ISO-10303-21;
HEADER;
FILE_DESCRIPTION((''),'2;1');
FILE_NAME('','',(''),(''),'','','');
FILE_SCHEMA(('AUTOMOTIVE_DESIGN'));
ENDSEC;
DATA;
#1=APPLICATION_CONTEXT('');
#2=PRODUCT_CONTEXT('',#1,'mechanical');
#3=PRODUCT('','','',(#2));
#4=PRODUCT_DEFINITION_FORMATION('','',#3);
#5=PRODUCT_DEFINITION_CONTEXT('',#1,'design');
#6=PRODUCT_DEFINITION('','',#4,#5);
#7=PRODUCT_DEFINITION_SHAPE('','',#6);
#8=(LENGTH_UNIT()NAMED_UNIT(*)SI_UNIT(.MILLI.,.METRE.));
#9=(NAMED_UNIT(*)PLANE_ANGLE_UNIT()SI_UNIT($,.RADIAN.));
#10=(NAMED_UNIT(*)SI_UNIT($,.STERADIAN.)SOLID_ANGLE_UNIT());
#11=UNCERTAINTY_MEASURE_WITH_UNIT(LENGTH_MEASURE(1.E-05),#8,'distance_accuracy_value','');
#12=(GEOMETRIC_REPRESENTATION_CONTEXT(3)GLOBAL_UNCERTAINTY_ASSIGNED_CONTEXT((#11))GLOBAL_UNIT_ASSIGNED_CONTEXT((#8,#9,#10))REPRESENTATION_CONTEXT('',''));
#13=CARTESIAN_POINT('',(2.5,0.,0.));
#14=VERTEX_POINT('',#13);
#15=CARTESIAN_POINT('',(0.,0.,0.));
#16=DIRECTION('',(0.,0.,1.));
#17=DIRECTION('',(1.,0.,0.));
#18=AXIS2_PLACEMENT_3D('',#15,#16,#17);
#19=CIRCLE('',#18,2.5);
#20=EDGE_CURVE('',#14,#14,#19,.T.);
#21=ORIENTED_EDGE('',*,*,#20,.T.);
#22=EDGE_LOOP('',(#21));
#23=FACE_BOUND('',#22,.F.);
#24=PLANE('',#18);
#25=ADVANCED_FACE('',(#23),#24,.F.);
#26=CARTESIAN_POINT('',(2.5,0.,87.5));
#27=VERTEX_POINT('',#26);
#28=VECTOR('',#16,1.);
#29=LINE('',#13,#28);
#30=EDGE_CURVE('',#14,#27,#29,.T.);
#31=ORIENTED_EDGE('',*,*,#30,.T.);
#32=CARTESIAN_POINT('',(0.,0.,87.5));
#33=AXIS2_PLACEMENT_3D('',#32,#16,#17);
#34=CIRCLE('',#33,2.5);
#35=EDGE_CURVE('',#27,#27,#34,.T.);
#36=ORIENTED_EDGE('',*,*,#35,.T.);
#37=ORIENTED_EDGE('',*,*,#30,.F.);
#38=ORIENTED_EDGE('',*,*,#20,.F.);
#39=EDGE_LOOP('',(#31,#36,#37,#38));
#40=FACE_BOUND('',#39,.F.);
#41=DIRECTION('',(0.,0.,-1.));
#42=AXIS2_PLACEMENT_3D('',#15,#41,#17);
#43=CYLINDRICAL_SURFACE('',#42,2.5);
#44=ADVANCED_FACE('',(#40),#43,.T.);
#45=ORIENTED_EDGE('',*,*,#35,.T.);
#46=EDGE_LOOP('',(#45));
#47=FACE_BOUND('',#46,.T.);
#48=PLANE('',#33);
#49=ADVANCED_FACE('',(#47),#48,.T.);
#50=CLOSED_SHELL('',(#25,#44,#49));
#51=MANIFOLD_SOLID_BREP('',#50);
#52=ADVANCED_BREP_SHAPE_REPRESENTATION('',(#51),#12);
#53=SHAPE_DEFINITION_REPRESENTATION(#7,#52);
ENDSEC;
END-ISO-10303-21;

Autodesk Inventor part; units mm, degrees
ref_plane "YZ Plane" through (0, 0, 0) normal (1, 0, 0) x (0, 1, 0)
ref_plane "XZ Plane" through (0, 0, 0) normal (0, 1, 0) x (-1, 0, 0)
ref_plane "XY Plane" through (0, 0, 0) normal (0, 0, 1) x (1, 0, 0)
sketch "Sketch1" plane through (0, 0, 0) normal (0, 0, 1) x (1, 0, 0)
  circle A0 centre (0, 0) radius 2.5
  dimension "d0" = 5
extrude "Extrusion1" add sketch "Sketch1" along normal blind 87.5
properties part number "22.2"
